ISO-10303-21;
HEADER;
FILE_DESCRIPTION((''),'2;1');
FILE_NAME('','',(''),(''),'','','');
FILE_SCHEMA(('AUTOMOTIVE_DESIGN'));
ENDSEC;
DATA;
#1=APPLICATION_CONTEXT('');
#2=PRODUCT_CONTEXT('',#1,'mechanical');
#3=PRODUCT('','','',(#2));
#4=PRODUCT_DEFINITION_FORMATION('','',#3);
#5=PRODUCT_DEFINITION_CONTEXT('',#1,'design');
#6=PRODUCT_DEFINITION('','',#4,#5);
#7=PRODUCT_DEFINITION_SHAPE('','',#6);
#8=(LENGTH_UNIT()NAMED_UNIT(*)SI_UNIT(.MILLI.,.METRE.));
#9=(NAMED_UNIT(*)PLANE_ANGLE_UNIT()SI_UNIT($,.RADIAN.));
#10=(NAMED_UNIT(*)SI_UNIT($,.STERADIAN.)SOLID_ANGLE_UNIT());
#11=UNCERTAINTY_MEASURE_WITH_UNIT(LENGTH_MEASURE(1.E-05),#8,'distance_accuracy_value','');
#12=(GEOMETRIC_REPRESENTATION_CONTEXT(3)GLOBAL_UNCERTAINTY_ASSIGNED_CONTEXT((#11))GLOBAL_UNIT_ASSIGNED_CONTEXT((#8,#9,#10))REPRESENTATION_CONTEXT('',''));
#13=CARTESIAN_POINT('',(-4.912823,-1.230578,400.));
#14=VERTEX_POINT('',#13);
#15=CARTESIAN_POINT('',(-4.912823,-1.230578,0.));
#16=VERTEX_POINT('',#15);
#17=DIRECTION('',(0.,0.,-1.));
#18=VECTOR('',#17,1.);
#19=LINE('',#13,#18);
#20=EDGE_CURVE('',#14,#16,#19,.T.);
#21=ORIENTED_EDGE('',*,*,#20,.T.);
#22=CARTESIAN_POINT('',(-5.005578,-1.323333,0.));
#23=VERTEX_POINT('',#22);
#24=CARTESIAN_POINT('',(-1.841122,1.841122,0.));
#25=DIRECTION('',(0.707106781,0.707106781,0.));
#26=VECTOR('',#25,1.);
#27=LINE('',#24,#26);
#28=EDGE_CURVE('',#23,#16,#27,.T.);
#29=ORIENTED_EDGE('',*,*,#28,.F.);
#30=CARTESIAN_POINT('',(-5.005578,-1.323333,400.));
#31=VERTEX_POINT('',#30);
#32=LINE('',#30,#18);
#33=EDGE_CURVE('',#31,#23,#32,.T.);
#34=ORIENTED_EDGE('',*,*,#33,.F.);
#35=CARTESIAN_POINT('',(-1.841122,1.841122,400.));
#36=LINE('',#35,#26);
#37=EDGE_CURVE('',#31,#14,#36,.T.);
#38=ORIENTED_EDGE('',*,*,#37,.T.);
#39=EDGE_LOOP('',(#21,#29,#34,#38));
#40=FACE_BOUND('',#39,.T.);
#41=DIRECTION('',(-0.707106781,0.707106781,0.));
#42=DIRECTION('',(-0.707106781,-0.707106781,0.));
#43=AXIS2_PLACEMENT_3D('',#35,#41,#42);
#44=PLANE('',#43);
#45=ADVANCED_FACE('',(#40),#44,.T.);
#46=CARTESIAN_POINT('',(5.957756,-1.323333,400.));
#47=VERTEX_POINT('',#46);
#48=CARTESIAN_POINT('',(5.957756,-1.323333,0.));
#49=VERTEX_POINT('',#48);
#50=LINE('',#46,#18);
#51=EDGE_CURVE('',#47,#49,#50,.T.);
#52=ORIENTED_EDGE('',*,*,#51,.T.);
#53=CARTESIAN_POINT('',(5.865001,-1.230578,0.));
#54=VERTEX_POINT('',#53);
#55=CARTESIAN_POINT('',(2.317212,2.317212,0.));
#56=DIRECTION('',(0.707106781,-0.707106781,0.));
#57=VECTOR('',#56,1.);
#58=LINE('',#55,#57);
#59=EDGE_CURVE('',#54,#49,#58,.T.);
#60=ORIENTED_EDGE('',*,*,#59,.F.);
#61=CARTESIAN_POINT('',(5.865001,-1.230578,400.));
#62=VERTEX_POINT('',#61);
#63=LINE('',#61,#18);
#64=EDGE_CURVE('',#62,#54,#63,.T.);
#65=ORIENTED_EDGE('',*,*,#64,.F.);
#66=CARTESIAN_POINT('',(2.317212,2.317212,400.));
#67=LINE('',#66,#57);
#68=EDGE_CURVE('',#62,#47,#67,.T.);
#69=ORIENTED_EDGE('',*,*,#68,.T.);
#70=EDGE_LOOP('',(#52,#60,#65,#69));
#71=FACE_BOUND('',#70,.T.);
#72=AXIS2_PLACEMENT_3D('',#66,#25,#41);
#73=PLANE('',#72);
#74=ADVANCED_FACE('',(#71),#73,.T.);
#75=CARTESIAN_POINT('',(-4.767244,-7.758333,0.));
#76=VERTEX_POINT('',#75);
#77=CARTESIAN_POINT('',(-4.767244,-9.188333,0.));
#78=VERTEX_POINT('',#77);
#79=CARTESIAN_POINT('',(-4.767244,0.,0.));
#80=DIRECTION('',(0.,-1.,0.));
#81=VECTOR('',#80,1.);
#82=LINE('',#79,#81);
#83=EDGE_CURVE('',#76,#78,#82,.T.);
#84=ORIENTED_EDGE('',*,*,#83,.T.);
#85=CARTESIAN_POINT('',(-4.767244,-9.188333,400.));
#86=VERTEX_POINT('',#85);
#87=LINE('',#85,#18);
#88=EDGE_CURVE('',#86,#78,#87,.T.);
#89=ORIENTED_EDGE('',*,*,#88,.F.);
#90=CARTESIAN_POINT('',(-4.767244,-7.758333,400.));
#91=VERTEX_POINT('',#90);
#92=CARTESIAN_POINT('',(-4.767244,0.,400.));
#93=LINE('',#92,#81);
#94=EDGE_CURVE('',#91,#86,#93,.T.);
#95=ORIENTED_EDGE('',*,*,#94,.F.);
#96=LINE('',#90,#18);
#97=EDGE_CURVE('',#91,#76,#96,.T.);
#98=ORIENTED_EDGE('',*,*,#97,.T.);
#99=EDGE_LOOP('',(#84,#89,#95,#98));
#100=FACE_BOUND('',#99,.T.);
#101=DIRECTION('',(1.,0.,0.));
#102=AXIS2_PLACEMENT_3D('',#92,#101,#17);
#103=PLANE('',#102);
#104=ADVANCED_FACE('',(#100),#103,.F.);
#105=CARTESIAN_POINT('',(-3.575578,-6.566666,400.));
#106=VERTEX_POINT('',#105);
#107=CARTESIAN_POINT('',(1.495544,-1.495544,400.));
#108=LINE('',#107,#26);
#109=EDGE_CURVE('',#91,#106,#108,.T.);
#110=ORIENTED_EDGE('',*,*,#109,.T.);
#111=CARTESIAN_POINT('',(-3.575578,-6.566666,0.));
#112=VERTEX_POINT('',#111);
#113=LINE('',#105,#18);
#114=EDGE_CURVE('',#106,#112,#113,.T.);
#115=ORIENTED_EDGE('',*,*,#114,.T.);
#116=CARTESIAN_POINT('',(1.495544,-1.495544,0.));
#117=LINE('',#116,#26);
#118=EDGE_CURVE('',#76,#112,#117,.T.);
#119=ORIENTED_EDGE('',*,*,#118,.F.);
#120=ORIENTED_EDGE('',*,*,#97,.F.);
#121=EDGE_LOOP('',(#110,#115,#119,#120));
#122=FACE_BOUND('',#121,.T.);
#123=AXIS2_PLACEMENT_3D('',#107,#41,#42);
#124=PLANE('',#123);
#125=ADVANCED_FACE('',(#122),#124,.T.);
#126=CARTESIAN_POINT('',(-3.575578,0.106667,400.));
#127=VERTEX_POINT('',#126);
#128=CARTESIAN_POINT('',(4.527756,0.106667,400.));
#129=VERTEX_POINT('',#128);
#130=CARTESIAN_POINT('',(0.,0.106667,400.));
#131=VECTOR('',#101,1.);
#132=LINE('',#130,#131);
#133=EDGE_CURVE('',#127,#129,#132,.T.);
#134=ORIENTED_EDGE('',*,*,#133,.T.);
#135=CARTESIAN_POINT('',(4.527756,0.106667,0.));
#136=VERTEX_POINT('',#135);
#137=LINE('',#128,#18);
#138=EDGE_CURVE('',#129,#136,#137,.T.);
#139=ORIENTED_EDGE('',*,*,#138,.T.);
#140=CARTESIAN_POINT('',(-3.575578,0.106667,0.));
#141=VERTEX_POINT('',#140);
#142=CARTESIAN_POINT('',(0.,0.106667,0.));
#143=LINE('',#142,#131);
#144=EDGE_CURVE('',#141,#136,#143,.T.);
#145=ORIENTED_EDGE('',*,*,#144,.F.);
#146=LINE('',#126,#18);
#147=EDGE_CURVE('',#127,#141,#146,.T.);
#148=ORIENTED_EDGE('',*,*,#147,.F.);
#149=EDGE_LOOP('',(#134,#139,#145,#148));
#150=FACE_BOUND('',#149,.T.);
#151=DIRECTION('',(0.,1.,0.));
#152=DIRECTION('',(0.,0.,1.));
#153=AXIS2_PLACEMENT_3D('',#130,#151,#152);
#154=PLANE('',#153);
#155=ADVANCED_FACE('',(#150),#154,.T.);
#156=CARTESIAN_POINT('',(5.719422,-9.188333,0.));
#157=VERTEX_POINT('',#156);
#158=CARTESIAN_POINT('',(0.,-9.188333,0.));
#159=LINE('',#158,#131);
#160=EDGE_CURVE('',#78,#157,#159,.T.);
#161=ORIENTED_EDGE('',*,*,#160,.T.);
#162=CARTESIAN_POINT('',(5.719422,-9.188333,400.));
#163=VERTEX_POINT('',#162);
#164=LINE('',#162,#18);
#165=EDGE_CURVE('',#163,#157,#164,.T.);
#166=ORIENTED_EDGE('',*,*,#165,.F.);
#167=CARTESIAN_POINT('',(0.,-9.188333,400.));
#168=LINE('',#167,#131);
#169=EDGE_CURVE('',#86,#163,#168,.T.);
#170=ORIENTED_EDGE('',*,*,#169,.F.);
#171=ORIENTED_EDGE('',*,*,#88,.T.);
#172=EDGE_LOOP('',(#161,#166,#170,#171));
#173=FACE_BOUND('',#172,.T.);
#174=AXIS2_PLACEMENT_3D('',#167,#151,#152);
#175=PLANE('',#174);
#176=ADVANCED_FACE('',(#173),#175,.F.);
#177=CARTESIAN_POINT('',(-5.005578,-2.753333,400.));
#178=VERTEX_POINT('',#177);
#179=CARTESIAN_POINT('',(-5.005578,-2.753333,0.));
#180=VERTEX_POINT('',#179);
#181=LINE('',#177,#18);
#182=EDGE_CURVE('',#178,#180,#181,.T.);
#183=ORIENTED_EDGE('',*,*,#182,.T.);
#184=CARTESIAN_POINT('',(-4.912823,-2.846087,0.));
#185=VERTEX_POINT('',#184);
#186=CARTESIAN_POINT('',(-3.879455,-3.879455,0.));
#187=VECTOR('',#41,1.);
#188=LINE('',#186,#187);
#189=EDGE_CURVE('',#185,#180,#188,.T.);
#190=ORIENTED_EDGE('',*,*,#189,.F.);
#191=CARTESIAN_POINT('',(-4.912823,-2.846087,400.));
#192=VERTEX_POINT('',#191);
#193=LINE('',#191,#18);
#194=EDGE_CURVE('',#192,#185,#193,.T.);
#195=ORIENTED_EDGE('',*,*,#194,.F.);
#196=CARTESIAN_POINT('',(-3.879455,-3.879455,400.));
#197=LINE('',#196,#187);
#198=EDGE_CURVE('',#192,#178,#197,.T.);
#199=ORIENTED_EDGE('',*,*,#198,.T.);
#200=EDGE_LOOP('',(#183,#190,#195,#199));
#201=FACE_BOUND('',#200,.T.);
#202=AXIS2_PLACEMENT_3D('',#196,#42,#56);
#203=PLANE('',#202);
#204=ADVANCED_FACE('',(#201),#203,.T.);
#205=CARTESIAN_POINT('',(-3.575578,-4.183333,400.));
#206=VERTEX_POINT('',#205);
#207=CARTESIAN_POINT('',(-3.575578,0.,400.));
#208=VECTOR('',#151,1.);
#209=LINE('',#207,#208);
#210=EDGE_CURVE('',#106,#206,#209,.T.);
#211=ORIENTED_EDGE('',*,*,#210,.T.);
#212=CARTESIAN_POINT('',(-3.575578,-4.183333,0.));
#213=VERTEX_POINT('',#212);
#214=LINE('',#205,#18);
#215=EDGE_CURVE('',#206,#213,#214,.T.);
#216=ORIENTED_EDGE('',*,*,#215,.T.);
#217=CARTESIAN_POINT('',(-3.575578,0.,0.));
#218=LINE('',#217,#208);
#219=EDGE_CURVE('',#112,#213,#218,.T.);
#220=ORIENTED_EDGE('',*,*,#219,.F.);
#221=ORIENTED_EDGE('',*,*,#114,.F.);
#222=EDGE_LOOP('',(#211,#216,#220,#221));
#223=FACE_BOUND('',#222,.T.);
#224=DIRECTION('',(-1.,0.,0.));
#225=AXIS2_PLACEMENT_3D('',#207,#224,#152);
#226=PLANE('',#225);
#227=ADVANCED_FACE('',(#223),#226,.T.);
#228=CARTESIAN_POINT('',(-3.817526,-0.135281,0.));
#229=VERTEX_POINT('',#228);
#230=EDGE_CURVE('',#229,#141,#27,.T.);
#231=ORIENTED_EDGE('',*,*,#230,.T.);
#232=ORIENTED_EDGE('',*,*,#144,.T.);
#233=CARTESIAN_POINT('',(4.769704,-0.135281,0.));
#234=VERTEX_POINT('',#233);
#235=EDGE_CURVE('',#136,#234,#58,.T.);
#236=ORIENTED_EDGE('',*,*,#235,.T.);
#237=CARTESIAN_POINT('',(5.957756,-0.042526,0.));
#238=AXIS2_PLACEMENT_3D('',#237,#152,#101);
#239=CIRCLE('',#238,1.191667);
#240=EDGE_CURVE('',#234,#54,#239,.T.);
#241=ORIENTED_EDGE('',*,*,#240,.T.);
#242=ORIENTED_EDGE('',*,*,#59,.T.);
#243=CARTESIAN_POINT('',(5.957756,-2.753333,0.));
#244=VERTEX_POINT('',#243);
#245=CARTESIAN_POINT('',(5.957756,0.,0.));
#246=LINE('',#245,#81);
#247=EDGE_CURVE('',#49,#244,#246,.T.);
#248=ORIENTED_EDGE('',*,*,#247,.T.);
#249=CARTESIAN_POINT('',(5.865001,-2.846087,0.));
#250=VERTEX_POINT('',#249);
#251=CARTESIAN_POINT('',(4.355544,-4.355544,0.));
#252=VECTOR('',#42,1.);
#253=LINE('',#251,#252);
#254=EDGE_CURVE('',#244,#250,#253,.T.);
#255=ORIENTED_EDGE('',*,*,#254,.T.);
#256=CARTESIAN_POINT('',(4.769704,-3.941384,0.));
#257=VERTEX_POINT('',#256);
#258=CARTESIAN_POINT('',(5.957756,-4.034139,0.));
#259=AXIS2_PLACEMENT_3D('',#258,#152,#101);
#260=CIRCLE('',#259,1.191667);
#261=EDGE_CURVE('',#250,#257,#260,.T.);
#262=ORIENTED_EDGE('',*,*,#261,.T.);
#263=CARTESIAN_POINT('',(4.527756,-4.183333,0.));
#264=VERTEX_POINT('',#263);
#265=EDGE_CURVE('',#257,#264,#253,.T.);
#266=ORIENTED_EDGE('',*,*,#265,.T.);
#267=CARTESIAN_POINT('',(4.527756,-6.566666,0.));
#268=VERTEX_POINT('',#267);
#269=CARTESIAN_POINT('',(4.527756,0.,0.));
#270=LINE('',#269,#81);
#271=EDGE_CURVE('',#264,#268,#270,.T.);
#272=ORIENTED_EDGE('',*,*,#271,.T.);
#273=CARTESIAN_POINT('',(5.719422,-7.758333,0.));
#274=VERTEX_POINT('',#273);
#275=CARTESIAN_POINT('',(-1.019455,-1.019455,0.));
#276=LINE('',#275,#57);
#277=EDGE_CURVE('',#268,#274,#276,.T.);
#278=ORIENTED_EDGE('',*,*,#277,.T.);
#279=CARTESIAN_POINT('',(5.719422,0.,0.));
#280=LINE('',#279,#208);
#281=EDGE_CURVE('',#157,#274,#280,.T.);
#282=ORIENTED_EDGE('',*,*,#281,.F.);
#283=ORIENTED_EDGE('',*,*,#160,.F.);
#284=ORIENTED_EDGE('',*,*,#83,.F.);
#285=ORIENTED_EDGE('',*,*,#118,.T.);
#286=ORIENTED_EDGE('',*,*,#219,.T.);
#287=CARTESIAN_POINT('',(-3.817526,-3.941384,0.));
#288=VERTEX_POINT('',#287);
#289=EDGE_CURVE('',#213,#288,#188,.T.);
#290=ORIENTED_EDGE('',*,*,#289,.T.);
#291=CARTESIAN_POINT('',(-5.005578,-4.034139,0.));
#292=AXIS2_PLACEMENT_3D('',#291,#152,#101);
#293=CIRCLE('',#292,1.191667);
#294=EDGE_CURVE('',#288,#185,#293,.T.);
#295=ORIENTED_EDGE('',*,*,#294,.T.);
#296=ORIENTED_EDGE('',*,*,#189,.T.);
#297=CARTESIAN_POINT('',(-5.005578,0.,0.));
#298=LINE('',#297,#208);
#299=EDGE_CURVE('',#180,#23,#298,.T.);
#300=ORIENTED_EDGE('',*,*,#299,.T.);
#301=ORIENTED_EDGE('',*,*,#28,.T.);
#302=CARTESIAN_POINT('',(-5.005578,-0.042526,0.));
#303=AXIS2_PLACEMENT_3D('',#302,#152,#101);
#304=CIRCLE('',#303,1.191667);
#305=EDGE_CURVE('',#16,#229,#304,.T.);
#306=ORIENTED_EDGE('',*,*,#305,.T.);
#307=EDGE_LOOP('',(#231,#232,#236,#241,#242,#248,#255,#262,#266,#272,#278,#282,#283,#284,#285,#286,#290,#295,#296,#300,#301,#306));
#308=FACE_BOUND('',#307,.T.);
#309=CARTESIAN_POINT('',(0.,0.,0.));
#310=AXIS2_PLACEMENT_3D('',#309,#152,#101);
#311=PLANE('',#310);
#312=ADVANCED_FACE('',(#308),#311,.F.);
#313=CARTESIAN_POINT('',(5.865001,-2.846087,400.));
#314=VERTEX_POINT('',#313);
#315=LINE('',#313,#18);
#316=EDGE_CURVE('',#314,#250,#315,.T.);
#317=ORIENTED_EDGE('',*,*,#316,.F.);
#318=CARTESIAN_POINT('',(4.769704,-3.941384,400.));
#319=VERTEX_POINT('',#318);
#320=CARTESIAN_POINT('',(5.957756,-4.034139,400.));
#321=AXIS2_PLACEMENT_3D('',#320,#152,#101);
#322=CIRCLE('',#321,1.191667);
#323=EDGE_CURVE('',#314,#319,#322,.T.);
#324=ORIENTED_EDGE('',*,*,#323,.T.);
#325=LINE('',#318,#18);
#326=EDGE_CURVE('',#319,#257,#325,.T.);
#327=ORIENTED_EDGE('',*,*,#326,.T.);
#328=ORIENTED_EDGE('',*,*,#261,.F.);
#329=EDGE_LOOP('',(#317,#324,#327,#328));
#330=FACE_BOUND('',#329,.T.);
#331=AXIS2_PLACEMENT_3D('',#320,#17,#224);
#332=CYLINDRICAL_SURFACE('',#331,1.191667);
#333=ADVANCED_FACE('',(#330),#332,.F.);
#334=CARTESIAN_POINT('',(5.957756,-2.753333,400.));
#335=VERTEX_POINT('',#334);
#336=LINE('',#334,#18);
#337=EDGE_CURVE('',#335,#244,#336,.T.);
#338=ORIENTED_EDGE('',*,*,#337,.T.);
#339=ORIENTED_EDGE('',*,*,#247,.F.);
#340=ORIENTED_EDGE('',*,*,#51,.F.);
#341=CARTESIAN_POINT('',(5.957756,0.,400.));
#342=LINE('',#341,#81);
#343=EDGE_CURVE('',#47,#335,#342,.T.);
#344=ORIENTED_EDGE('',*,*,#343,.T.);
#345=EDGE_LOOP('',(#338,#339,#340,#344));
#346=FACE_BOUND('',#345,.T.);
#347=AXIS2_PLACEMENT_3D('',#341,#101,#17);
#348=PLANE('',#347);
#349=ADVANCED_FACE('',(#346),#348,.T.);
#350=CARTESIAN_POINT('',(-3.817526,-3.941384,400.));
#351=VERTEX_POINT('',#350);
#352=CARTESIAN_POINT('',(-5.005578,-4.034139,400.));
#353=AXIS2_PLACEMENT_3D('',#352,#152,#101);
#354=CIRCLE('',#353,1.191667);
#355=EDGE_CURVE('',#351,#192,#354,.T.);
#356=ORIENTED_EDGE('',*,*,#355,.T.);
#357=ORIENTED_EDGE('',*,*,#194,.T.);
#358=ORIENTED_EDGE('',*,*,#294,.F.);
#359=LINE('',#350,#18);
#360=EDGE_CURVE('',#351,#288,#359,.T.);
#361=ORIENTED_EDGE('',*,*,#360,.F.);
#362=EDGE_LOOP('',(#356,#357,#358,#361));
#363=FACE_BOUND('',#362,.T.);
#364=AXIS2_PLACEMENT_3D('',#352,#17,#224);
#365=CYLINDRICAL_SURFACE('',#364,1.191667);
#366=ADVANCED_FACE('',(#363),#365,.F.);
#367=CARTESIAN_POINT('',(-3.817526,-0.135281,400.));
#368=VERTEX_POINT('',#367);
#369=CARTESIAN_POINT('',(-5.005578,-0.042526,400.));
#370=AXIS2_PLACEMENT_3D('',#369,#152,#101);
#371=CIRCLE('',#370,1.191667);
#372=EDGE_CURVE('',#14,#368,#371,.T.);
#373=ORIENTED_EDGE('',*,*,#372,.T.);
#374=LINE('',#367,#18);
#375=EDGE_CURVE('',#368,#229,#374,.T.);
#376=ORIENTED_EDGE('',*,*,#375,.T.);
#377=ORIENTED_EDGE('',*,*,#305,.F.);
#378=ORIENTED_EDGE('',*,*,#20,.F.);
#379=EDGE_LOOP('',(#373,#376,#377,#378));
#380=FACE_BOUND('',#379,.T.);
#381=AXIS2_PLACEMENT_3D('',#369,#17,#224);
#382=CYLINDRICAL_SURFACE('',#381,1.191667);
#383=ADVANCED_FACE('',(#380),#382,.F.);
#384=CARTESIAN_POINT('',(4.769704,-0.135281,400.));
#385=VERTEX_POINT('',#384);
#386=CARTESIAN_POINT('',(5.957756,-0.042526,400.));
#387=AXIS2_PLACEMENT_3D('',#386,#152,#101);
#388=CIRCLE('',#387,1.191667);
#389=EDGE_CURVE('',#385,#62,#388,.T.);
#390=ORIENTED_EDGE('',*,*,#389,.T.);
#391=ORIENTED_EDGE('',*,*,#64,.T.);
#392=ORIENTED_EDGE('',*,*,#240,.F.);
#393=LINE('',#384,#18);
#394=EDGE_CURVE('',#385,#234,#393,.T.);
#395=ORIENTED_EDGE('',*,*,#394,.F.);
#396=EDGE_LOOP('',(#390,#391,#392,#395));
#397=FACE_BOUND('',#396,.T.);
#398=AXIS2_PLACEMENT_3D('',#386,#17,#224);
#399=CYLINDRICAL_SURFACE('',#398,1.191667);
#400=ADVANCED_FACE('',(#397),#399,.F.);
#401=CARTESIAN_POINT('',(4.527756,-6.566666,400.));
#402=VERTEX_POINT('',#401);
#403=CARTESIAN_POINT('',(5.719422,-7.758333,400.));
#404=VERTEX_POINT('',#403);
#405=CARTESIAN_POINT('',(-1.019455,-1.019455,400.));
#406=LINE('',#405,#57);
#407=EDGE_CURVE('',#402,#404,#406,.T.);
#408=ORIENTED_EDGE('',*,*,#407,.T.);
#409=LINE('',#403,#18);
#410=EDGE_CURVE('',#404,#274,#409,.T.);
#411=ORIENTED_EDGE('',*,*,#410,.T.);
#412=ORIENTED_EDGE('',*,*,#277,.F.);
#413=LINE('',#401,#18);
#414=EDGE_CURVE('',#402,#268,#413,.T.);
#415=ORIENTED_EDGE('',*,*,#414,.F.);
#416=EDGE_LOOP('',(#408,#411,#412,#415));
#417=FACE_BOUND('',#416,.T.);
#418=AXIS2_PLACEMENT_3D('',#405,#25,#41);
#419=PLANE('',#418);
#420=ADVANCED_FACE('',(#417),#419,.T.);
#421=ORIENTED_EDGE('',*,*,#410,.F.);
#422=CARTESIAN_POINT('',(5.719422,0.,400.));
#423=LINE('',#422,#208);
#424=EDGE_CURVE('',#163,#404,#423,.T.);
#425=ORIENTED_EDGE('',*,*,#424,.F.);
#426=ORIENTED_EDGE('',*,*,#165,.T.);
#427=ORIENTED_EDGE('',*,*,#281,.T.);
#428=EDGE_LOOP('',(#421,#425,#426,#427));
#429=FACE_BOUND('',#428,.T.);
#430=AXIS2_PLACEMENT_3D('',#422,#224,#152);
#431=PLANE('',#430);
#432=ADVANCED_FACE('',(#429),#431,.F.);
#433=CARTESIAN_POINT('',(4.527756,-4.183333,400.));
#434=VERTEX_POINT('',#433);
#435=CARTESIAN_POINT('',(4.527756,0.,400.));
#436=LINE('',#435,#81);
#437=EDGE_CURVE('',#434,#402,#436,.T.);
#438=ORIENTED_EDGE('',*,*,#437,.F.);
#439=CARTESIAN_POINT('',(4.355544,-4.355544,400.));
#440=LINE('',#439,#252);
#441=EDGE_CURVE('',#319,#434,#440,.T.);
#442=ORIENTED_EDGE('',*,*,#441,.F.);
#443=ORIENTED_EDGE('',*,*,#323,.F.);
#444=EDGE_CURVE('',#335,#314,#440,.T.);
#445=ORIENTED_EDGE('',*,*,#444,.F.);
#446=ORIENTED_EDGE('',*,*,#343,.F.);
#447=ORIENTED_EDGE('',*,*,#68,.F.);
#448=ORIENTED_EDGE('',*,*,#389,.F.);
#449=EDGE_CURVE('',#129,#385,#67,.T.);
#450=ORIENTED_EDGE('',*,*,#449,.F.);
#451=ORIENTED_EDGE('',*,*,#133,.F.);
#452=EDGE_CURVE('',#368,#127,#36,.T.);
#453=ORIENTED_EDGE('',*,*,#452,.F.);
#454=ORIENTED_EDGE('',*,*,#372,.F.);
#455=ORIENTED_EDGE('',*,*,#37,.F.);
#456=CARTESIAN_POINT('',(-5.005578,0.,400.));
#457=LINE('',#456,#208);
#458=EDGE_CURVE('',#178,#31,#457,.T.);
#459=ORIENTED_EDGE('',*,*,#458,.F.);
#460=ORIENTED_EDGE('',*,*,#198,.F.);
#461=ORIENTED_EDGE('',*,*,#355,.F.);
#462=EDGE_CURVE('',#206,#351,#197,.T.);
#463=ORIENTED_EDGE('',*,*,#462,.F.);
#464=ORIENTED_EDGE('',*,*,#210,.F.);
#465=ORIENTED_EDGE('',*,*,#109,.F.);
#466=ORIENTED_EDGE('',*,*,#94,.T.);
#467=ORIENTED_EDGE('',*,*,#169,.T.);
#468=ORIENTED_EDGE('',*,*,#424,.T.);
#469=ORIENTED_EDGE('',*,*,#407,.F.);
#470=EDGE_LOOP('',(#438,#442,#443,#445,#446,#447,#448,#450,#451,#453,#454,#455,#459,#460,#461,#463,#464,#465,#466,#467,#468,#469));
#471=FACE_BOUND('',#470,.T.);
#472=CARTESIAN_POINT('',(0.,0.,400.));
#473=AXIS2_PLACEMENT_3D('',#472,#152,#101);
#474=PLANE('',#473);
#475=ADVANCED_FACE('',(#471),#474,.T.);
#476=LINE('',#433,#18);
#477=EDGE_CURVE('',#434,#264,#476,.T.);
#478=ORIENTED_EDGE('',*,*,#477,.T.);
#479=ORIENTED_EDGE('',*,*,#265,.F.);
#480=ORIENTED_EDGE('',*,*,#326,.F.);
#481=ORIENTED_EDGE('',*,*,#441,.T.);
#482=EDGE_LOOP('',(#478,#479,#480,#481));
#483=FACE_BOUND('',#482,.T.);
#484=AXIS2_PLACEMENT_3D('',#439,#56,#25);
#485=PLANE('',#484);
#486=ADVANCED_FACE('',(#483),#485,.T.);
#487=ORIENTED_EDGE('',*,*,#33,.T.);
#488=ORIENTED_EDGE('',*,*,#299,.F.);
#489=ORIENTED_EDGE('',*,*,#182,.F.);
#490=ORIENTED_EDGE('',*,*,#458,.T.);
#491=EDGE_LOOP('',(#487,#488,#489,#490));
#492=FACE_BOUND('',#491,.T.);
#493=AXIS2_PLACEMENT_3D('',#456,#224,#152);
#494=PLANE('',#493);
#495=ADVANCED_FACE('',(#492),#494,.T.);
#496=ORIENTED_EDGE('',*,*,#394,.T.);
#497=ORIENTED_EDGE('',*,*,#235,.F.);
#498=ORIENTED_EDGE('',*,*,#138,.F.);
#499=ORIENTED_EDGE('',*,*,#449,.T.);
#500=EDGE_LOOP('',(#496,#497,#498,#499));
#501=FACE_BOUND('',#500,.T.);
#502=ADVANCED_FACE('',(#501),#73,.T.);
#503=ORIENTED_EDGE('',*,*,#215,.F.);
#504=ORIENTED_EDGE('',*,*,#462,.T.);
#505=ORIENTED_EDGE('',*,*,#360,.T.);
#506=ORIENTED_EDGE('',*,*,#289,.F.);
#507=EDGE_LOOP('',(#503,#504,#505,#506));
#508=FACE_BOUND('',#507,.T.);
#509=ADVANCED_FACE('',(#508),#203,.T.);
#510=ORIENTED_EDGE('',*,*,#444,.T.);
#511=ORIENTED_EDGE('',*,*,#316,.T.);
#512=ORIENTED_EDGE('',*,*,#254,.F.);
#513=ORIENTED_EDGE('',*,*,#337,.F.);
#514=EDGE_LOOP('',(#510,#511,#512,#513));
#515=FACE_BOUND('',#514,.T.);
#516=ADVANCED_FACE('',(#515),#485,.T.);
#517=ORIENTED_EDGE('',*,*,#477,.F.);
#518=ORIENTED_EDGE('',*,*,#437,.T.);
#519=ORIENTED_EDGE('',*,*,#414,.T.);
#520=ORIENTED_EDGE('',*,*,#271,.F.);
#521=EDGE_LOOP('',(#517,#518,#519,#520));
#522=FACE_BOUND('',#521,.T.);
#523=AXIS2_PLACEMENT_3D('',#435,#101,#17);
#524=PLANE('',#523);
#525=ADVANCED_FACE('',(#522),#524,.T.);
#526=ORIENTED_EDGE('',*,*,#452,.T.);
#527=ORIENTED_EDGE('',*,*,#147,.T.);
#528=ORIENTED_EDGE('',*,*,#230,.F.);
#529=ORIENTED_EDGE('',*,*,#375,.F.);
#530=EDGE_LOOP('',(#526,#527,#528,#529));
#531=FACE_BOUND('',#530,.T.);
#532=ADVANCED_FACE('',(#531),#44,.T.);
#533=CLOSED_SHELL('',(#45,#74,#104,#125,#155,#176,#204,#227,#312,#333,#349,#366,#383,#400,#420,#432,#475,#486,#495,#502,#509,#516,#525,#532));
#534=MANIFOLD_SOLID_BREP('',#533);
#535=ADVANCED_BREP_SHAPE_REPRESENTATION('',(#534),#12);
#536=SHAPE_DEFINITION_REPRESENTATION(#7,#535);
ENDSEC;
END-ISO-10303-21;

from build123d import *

# Parameters (mm, degrees)
ESTRUSIONE_ESTRUSIONE1_DEPTH = 400


with BuildPart() as part:
    # Schizzo1 → Estrusione-Estrusione1 (new body)
    with BuildSketch(Plane.XY):
        with BuildLine():
            Line((-4.767244197, -7.758332568), (-3.57557753, -6.566665902))
            Line((-3.57557753, -6.566665902), (-3.57557753, -4.183332568))
            Line((-3.57557753, -4.183332568), (-3.817526183, -3.941383916))
            ThreePointArc((-3.817526183, -3.941383916), (-4.162941949, -3.191503071), (-4.912822794, -2.846087304))
            Line((-4.912822794, -2.846087304), (-5.00557753, -2.753332568))
            Line((-5.00557753, -2.753332568), (-5.00557753, -1.323332568))
            Line((-5.00557753, -1.323332568), (-4.912822794, -1.230577833))
            ThreePointArc((-4.912822794, -1.230577833), (-4.162941949, -0.885162066), (-3.817526183, -0.135281221))
            Line((-3.817526183, -0.135281221), (-3.57557753, 0.106667432))
            Line((-3.57557753, 0.106667432), (4.527755803, 0.106667432))
            Line((4.527755803, 0.106667432), (4.769704456, -0.135281221))
            ThreePointArc((4.769704456, -0.135281221), (5.115120222, -0.885162066), (5.865001067, -1.230577833))
            Line((5.865001067, -1.230577833), (5.957755803, -1.323332568))
            Line((5.957755803, -1.323332568), (5.957755803, -2.753332568))
            Line((5.957755803, -2.753332568), (5.865001067, -2.846087304))
            ThreePointArc((5.865001067, -2.846087304), (5.115120222, -3.191503071), (4.769704456, -3.941383916))
            Line((4.769704456, -3.941383916), (4.527755803, -4.183332568))
            Line((4.527755803, -4.183332568), (4.527755803, -6.566665902))
            Line((4.527755803, -6.566665902), (5.71942247, -7.758332568))
            Line((5.71942247, -7.758332568), (5.71942247, -9.188332568))
            Line((5.71942247, -9.188332568), (-4.767244197, -9.188332568))
            Line((-4.767244197, -9.188332568), (-4.767244197, -7.758332568))
        make_face()
    extrude(amount=ESTRUSIONE_ESTRUSIONE1_DEPTH)


solid = part.part
